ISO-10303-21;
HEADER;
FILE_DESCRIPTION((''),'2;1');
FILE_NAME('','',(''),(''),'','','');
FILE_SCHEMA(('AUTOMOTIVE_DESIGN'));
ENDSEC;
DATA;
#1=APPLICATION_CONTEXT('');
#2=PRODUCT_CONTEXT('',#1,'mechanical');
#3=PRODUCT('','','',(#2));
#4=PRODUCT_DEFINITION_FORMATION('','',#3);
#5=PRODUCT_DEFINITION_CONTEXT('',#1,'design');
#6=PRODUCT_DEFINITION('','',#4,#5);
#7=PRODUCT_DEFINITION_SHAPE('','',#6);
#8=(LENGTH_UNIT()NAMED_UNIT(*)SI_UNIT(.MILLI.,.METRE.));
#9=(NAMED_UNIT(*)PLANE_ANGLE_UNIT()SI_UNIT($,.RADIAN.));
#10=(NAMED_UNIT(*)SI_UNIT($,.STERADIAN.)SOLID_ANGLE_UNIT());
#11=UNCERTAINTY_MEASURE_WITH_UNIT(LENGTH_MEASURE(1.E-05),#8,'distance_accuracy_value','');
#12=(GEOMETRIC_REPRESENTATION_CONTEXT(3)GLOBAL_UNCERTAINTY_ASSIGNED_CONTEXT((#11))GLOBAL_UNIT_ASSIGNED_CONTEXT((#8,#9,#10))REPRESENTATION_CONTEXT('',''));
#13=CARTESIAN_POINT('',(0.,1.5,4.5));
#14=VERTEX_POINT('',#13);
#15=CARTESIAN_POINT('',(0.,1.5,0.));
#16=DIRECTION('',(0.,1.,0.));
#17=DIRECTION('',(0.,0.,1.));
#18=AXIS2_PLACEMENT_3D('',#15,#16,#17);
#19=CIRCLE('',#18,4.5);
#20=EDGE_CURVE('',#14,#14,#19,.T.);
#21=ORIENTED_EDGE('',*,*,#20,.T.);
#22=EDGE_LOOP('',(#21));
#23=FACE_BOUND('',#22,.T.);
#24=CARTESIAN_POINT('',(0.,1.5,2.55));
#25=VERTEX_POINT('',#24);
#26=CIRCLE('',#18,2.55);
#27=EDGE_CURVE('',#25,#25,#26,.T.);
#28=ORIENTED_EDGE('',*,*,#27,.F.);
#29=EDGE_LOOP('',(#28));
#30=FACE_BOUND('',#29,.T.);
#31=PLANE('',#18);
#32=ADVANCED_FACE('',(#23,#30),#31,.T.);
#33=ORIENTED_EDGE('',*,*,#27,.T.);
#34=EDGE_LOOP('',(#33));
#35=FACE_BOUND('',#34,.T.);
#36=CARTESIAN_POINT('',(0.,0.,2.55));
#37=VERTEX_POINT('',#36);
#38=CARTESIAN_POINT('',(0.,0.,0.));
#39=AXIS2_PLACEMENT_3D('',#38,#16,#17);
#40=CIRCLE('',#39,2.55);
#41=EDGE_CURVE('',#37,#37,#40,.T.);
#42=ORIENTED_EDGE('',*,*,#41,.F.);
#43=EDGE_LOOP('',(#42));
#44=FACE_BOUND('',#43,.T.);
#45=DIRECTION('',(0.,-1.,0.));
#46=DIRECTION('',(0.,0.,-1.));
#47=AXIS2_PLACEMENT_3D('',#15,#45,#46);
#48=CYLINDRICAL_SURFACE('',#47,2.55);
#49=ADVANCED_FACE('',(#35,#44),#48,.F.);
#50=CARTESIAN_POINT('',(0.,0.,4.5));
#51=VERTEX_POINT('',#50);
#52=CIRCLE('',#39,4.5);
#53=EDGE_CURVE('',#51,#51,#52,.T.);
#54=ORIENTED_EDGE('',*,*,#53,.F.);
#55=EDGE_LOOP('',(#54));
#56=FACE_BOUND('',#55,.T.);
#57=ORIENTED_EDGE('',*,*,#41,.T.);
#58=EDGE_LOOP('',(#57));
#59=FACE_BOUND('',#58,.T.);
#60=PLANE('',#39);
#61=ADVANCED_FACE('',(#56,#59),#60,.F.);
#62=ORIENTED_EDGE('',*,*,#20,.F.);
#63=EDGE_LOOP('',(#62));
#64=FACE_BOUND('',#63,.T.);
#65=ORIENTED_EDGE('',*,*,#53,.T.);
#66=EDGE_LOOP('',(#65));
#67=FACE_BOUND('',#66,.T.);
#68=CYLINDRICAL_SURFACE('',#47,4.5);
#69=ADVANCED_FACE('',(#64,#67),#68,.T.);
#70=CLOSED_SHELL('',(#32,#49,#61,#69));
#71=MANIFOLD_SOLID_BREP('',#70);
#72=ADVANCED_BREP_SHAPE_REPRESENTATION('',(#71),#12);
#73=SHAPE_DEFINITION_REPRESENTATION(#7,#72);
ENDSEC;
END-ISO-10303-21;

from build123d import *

# Parameters (mm, degrees)
SKETCH1_R           = 4.5
SKETCH1_R_2         = 2.55
BOSS_EXTRUDE1_DEPTH = 1.5


with BuildPart() as part:
    # Sketch1 → Boss-Extrude1 (new body)
    with BuildSketch(Plane(origin=(0, 0, 0), x_dir=(1, 0, 0), z_dir=(0, 1, 0))):
        with Locations(Location((0, 0, 0), (0, 0, 270))):
            Circle(SKETCH1_R)
        with Locations(Location((0, 0, 0), (0, 0, 270))):
            Circle(SKETCH1_R_2, mode=Mode.SUBTRACT)
    extrude(amount=BOSS_EXTRUDE1_DEPTH)


solid = part.part
